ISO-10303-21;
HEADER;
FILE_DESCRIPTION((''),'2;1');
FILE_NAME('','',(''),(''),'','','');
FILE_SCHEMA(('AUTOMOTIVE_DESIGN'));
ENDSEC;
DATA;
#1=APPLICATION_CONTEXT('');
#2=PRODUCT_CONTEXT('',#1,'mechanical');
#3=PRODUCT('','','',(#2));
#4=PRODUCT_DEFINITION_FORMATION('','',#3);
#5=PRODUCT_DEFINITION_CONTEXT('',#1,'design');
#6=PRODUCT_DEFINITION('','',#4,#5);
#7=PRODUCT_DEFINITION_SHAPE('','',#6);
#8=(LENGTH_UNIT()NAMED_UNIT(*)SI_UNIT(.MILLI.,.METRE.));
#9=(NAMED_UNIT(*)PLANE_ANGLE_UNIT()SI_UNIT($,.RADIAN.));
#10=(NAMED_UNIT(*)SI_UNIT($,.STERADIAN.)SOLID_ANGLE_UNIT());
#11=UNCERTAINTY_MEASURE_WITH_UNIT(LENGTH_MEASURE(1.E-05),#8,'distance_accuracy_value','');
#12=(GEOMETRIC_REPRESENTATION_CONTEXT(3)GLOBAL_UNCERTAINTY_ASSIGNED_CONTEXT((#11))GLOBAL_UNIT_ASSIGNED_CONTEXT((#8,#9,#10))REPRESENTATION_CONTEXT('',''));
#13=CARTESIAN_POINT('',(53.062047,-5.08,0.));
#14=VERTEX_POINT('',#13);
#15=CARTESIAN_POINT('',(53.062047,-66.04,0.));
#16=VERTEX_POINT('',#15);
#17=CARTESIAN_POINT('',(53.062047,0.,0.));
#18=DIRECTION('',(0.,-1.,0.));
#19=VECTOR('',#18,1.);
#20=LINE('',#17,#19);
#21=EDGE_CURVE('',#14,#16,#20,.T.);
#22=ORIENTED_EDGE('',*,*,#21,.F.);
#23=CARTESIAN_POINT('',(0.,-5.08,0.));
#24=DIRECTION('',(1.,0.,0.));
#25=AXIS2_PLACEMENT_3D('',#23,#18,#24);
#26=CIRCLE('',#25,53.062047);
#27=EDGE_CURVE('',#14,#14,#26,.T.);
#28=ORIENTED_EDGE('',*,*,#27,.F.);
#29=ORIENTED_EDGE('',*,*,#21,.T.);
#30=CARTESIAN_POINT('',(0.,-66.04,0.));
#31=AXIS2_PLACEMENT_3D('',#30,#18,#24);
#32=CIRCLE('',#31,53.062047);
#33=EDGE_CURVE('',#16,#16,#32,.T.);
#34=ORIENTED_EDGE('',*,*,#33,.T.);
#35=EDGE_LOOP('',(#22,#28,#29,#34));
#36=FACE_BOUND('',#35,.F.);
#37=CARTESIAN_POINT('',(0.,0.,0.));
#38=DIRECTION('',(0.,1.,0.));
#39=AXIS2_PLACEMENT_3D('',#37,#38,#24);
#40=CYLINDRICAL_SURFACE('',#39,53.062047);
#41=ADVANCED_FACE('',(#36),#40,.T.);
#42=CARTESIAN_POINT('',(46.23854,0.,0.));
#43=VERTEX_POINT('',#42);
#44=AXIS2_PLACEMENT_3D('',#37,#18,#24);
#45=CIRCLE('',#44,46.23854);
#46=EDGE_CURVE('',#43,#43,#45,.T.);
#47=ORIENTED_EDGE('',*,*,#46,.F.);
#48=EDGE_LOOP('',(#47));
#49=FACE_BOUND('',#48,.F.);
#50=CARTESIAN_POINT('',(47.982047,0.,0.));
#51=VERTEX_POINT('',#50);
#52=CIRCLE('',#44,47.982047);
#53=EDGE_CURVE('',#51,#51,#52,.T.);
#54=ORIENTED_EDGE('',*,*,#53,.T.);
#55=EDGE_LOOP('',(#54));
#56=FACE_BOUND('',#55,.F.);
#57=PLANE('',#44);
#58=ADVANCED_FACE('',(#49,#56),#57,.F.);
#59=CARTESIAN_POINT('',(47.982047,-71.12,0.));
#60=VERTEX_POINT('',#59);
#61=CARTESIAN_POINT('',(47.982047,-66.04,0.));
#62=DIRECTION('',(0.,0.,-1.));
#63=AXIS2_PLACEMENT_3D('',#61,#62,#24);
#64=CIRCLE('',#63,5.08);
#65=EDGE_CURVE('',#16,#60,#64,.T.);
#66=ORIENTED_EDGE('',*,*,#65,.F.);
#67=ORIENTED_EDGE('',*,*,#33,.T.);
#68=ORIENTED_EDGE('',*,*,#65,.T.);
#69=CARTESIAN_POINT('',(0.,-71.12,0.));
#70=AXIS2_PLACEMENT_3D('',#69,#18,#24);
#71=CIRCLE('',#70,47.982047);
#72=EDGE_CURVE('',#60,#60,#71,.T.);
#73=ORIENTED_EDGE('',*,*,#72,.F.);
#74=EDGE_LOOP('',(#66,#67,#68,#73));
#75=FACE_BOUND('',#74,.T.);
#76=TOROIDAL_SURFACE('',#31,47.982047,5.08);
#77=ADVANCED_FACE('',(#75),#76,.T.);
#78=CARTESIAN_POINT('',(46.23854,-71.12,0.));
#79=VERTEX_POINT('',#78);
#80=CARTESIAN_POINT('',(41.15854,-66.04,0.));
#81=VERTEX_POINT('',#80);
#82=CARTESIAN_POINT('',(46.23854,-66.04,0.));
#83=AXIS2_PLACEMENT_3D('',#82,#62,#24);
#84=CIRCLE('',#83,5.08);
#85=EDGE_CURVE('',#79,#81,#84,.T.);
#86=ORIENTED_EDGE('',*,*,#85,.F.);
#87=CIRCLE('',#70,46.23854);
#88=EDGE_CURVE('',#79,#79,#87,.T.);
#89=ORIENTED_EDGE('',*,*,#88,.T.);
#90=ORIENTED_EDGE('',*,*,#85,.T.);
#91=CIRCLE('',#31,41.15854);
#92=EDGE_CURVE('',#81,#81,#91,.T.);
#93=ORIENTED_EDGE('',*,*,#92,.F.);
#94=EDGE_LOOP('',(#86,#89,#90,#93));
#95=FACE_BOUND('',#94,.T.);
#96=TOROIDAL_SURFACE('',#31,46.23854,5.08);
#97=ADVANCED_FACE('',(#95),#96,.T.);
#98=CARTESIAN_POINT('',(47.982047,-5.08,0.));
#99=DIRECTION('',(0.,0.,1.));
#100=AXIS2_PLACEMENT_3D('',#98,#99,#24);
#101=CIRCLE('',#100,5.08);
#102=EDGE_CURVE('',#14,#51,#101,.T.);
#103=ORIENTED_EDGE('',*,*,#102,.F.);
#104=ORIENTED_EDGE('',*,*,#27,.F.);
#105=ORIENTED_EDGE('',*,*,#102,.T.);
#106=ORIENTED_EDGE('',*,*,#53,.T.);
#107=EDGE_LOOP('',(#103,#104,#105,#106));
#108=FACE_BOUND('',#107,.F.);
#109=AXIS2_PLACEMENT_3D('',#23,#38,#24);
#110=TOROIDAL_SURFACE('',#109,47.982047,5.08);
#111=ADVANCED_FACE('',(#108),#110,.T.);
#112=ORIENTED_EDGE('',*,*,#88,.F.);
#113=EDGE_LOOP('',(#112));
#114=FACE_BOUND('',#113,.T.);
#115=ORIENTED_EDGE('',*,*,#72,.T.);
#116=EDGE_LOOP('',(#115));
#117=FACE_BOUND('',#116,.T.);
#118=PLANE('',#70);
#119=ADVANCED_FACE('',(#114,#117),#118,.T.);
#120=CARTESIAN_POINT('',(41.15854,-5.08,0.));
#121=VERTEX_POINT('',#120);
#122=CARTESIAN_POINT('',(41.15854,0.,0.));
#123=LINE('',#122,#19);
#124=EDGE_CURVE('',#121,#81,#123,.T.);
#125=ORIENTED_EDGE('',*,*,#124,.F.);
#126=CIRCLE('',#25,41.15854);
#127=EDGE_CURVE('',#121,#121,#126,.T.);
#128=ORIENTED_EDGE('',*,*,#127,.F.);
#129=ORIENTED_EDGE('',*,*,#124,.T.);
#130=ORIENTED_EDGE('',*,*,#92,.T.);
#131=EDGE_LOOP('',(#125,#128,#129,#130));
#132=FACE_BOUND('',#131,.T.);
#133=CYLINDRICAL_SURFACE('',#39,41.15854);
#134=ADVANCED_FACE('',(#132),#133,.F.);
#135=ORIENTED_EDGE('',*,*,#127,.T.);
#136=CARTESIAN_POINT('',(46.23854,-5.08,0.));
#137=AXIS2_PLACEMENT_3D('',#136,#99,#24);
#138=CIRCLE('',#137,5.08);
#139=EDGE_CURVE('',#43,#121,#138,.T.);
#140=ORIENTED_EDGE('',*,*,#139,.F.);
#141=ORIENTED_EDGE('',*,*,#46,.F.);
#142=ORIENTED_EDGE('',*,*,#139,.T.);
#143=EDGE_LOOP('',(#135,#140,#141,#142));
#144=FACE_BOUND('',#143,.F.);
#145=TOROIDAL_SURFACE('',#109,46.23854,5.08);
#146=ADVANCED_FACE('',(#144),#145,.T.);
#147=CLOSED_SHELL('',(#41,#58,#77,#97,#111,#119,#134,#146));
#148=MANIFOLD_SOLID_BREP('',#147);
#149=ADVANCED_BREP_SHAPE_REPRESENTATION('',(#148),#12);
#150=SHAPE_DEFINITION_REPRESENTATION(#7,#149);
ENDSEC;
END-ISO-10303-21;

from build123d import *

# Parameters (mm, degrees)
F0_R     = 53.062047
F0_R_2   = 41.15854
F1_DEPTH = 71.12
F2_R     = 5.08
F3_R     = 5.08
F4_R     = 5.08
F5_R     = 5.08


with BuildPart() as f1:
    # F0 (on Front) → F1 (new body)
    with BuildSketch(Plane.XZ):
        Circle(F0_R)
        Circle(F0_R_2, mode=Mode.SUBTRACT)
    extrude(amount=F1_DEPTH)

    # F2
    f2_edges = [f1.edges().sort_by_distance(p)[0] for p in [
        (-53.062047, -71.12, 0),
    ]]
    fillet(f2_edges, radius=F2_R)

    # F3
    f3_edges = [f1.edges().sort_by_distance(p)[0] for p in [
        (-41.15854, -71.12, 0),
    ]]
    fillet(f3_edges, radius=F3_R)

    # F4
    f4_edges = [f1.edges().sort_by_distance(p)[0] for p in [
        (-53.062047, 0, 0),
    ]]
    fillet(f4_edges, radius=F4_R)

    # F5
    f5_edges = [f1.edges().sort_by_distance(p)[0] for p in [
        (-41.15854, 0, 0),
    ]]
    fillet(f5_edges, radius=F5_R)


solid = f1.part
